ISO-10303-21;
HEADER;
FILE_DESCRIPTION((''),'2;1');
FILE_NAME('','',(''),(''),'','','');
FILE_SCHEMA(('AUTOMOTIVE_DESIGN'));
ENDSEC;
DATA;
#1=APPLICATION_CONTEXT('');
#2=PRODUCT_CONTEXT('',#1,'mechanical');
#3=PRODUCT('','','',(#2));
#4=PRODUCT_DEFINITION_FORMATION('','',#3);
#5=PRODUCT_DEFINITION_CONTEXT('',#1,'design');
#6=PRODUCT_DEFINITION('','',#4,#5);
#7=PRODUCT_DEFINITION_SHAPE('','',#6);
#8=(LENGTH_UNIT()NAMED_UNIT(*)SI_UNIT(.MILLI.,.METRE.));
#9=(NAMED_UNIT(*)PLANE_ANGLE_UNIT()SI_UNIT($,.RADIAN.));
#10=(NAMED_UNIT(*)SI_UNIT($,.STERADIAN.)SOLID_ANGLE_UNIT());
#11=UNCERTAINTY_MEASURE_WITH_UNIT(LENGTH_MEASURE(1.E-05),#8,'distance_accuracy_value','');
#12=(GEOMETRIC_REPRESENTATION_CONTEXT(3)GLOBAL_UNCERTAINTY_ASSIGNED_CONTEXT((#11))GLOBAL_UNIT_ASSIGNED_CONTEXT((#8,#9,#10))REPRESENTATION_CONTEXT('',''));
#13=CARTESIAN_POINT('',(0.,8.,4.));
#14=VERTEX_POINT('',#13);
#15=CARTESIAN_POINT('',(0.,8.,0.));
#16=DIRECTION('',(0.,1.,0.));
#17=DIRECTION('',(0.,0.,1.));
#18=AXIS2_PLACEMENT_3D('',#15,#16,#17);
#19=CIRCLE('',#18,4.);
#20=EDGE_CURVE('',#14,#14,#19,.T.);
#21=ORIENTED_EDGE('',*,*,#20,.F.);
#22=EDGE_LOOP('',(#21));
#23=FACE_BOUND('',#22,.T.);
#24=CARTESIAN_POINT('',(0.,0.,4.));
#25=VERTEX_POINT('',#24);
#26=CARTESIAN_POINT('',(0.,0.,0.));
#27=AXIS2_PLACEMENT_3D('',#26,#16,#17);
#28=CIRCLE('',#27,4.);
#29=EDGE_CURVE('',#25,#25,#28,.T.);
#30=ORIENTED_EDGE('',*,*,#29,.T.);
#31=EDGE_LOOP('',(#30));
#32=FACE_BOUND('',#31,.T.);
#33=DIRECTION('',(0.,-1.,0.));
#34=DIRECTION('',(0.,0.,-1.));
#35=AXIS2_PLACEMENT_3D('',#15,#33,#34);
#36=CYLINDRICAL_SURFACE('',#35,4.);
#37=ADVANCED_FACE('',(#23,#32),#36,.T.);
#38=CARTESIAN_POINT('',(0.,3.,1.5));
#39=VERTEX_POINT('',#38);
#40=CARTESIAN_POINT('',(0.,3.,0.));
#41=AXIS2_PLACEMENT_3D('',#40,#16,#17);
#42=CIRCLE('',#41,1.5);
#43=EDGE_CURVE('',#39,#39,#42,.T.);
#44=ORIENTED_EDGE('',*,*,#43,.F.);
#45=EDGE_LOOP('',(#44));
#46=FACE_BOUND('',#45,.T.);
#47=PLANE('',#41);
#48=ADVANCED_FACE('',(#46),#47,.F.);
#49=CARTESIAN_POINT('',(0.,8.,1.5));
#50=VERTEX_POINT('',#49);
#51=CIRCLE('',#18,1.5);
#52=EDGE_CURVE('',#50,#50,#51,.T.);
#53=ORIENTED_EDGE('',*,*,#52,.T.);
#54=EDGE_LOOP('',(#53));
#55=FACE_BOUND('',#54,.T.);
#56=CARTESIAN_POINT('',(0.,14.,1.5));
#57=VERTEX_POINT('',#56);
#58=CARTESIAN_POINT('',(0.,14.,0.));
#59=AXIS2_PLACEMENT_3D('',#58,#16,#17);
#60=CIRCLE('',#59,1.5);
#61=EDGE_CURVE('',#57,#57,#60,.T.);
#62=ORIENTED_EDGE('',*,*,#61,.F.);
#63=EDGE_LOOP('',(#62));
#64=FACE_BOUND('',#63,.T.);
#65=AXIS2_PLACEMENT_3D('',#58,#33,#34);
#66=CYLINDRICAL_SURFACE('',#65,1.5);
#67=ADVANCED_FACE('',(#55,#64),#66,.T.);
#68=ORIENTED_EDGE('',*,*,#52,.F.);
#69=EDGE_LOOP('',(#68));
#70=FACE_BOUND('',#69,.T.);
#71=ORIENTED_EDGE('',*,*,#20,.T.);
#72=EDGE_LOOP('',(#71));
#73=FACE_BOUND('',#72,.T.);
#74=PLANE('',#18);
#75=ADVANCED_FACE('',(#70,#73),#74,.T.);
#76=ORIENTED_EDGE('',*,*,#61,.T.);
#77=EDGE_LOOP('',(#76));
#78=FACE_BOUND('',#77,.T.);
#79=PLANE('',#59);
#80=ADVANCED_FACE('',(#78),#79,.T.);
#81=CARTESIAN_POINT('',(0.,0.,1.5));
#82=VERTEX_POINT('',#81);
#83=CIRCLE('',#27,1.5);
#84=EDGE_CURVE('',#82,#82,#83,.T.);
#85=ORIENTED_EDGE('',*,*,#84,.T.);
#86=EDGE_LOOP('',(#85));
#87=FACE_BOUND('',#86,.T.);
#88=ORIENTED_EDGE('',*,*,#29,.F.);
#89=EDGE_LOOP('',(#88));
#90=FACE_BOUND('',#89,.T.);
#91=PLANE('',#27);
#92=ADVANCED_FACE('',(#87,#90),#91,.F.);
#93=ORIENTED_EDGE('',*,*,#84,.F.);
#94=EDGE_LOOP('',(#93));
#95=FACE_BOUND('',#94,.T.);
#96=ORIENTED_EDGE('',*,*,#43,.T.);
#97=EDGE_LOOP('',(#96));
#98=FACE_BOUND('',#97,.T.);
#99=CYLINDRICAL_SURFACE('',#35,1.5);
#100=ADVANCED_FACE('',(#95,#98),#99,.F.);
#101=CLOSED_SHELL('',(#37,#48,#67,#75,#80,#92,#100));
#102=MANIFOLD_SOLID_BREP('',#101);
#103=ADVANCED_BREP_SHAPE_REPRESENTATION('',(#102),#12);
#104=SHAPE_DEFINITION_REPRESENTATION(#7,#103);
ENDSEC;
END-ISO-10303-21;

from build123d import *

# Parameters (mm, degrees)
SKETCH1_R           = 4
SKETCH1_R_2         = 1.5
BOSS_EXTRUDE1_DEPTH = 8
SKETCH2_R           = 1.5
BOSS_EXTRUDE2_DEPTH = 5
SKETCH3_R           = 1.5
BOSS_EXTRUDE3_DEPTH = 6


with BuildPart() as part:
    # Sketch1 → Boss-Extrude1 (new body)
    with BuildSketch(Plane(origin=(0, 0, 0), x_dir=(1, 0, 0), z_dir=(0, 1, 0))):
        Circle(SKETCH1_R)
        Circle(SKETCH1_R_2, mode=Mode.SUBTRACT)
    extrude(amount=BOSS_EXTRUDE1_DEPTH)

    # Sketch2 → Boss-Extrude2 (add)
    with BuildSketch(Plane(origin=(0, 8, 0), x_dir=(1, 0, 0), z_dir=(0, 1, 0))):
        Circle(SKETCH2_R)
    extrude(amount=-BOSS_EXTRUDE2_DEPTH)

    # Sketch3 → Boss-Extrude3 (add)
    with BuildSketch(Plane(origin=(0, 8, 0), x_dir=(1, 0, 0), z_dir=(0, 1, 0))):
        Circle(SKETCH3_R)
    extrude(amount=BOSS_EXTRUDE3_DEPTH)


solid = part.part
